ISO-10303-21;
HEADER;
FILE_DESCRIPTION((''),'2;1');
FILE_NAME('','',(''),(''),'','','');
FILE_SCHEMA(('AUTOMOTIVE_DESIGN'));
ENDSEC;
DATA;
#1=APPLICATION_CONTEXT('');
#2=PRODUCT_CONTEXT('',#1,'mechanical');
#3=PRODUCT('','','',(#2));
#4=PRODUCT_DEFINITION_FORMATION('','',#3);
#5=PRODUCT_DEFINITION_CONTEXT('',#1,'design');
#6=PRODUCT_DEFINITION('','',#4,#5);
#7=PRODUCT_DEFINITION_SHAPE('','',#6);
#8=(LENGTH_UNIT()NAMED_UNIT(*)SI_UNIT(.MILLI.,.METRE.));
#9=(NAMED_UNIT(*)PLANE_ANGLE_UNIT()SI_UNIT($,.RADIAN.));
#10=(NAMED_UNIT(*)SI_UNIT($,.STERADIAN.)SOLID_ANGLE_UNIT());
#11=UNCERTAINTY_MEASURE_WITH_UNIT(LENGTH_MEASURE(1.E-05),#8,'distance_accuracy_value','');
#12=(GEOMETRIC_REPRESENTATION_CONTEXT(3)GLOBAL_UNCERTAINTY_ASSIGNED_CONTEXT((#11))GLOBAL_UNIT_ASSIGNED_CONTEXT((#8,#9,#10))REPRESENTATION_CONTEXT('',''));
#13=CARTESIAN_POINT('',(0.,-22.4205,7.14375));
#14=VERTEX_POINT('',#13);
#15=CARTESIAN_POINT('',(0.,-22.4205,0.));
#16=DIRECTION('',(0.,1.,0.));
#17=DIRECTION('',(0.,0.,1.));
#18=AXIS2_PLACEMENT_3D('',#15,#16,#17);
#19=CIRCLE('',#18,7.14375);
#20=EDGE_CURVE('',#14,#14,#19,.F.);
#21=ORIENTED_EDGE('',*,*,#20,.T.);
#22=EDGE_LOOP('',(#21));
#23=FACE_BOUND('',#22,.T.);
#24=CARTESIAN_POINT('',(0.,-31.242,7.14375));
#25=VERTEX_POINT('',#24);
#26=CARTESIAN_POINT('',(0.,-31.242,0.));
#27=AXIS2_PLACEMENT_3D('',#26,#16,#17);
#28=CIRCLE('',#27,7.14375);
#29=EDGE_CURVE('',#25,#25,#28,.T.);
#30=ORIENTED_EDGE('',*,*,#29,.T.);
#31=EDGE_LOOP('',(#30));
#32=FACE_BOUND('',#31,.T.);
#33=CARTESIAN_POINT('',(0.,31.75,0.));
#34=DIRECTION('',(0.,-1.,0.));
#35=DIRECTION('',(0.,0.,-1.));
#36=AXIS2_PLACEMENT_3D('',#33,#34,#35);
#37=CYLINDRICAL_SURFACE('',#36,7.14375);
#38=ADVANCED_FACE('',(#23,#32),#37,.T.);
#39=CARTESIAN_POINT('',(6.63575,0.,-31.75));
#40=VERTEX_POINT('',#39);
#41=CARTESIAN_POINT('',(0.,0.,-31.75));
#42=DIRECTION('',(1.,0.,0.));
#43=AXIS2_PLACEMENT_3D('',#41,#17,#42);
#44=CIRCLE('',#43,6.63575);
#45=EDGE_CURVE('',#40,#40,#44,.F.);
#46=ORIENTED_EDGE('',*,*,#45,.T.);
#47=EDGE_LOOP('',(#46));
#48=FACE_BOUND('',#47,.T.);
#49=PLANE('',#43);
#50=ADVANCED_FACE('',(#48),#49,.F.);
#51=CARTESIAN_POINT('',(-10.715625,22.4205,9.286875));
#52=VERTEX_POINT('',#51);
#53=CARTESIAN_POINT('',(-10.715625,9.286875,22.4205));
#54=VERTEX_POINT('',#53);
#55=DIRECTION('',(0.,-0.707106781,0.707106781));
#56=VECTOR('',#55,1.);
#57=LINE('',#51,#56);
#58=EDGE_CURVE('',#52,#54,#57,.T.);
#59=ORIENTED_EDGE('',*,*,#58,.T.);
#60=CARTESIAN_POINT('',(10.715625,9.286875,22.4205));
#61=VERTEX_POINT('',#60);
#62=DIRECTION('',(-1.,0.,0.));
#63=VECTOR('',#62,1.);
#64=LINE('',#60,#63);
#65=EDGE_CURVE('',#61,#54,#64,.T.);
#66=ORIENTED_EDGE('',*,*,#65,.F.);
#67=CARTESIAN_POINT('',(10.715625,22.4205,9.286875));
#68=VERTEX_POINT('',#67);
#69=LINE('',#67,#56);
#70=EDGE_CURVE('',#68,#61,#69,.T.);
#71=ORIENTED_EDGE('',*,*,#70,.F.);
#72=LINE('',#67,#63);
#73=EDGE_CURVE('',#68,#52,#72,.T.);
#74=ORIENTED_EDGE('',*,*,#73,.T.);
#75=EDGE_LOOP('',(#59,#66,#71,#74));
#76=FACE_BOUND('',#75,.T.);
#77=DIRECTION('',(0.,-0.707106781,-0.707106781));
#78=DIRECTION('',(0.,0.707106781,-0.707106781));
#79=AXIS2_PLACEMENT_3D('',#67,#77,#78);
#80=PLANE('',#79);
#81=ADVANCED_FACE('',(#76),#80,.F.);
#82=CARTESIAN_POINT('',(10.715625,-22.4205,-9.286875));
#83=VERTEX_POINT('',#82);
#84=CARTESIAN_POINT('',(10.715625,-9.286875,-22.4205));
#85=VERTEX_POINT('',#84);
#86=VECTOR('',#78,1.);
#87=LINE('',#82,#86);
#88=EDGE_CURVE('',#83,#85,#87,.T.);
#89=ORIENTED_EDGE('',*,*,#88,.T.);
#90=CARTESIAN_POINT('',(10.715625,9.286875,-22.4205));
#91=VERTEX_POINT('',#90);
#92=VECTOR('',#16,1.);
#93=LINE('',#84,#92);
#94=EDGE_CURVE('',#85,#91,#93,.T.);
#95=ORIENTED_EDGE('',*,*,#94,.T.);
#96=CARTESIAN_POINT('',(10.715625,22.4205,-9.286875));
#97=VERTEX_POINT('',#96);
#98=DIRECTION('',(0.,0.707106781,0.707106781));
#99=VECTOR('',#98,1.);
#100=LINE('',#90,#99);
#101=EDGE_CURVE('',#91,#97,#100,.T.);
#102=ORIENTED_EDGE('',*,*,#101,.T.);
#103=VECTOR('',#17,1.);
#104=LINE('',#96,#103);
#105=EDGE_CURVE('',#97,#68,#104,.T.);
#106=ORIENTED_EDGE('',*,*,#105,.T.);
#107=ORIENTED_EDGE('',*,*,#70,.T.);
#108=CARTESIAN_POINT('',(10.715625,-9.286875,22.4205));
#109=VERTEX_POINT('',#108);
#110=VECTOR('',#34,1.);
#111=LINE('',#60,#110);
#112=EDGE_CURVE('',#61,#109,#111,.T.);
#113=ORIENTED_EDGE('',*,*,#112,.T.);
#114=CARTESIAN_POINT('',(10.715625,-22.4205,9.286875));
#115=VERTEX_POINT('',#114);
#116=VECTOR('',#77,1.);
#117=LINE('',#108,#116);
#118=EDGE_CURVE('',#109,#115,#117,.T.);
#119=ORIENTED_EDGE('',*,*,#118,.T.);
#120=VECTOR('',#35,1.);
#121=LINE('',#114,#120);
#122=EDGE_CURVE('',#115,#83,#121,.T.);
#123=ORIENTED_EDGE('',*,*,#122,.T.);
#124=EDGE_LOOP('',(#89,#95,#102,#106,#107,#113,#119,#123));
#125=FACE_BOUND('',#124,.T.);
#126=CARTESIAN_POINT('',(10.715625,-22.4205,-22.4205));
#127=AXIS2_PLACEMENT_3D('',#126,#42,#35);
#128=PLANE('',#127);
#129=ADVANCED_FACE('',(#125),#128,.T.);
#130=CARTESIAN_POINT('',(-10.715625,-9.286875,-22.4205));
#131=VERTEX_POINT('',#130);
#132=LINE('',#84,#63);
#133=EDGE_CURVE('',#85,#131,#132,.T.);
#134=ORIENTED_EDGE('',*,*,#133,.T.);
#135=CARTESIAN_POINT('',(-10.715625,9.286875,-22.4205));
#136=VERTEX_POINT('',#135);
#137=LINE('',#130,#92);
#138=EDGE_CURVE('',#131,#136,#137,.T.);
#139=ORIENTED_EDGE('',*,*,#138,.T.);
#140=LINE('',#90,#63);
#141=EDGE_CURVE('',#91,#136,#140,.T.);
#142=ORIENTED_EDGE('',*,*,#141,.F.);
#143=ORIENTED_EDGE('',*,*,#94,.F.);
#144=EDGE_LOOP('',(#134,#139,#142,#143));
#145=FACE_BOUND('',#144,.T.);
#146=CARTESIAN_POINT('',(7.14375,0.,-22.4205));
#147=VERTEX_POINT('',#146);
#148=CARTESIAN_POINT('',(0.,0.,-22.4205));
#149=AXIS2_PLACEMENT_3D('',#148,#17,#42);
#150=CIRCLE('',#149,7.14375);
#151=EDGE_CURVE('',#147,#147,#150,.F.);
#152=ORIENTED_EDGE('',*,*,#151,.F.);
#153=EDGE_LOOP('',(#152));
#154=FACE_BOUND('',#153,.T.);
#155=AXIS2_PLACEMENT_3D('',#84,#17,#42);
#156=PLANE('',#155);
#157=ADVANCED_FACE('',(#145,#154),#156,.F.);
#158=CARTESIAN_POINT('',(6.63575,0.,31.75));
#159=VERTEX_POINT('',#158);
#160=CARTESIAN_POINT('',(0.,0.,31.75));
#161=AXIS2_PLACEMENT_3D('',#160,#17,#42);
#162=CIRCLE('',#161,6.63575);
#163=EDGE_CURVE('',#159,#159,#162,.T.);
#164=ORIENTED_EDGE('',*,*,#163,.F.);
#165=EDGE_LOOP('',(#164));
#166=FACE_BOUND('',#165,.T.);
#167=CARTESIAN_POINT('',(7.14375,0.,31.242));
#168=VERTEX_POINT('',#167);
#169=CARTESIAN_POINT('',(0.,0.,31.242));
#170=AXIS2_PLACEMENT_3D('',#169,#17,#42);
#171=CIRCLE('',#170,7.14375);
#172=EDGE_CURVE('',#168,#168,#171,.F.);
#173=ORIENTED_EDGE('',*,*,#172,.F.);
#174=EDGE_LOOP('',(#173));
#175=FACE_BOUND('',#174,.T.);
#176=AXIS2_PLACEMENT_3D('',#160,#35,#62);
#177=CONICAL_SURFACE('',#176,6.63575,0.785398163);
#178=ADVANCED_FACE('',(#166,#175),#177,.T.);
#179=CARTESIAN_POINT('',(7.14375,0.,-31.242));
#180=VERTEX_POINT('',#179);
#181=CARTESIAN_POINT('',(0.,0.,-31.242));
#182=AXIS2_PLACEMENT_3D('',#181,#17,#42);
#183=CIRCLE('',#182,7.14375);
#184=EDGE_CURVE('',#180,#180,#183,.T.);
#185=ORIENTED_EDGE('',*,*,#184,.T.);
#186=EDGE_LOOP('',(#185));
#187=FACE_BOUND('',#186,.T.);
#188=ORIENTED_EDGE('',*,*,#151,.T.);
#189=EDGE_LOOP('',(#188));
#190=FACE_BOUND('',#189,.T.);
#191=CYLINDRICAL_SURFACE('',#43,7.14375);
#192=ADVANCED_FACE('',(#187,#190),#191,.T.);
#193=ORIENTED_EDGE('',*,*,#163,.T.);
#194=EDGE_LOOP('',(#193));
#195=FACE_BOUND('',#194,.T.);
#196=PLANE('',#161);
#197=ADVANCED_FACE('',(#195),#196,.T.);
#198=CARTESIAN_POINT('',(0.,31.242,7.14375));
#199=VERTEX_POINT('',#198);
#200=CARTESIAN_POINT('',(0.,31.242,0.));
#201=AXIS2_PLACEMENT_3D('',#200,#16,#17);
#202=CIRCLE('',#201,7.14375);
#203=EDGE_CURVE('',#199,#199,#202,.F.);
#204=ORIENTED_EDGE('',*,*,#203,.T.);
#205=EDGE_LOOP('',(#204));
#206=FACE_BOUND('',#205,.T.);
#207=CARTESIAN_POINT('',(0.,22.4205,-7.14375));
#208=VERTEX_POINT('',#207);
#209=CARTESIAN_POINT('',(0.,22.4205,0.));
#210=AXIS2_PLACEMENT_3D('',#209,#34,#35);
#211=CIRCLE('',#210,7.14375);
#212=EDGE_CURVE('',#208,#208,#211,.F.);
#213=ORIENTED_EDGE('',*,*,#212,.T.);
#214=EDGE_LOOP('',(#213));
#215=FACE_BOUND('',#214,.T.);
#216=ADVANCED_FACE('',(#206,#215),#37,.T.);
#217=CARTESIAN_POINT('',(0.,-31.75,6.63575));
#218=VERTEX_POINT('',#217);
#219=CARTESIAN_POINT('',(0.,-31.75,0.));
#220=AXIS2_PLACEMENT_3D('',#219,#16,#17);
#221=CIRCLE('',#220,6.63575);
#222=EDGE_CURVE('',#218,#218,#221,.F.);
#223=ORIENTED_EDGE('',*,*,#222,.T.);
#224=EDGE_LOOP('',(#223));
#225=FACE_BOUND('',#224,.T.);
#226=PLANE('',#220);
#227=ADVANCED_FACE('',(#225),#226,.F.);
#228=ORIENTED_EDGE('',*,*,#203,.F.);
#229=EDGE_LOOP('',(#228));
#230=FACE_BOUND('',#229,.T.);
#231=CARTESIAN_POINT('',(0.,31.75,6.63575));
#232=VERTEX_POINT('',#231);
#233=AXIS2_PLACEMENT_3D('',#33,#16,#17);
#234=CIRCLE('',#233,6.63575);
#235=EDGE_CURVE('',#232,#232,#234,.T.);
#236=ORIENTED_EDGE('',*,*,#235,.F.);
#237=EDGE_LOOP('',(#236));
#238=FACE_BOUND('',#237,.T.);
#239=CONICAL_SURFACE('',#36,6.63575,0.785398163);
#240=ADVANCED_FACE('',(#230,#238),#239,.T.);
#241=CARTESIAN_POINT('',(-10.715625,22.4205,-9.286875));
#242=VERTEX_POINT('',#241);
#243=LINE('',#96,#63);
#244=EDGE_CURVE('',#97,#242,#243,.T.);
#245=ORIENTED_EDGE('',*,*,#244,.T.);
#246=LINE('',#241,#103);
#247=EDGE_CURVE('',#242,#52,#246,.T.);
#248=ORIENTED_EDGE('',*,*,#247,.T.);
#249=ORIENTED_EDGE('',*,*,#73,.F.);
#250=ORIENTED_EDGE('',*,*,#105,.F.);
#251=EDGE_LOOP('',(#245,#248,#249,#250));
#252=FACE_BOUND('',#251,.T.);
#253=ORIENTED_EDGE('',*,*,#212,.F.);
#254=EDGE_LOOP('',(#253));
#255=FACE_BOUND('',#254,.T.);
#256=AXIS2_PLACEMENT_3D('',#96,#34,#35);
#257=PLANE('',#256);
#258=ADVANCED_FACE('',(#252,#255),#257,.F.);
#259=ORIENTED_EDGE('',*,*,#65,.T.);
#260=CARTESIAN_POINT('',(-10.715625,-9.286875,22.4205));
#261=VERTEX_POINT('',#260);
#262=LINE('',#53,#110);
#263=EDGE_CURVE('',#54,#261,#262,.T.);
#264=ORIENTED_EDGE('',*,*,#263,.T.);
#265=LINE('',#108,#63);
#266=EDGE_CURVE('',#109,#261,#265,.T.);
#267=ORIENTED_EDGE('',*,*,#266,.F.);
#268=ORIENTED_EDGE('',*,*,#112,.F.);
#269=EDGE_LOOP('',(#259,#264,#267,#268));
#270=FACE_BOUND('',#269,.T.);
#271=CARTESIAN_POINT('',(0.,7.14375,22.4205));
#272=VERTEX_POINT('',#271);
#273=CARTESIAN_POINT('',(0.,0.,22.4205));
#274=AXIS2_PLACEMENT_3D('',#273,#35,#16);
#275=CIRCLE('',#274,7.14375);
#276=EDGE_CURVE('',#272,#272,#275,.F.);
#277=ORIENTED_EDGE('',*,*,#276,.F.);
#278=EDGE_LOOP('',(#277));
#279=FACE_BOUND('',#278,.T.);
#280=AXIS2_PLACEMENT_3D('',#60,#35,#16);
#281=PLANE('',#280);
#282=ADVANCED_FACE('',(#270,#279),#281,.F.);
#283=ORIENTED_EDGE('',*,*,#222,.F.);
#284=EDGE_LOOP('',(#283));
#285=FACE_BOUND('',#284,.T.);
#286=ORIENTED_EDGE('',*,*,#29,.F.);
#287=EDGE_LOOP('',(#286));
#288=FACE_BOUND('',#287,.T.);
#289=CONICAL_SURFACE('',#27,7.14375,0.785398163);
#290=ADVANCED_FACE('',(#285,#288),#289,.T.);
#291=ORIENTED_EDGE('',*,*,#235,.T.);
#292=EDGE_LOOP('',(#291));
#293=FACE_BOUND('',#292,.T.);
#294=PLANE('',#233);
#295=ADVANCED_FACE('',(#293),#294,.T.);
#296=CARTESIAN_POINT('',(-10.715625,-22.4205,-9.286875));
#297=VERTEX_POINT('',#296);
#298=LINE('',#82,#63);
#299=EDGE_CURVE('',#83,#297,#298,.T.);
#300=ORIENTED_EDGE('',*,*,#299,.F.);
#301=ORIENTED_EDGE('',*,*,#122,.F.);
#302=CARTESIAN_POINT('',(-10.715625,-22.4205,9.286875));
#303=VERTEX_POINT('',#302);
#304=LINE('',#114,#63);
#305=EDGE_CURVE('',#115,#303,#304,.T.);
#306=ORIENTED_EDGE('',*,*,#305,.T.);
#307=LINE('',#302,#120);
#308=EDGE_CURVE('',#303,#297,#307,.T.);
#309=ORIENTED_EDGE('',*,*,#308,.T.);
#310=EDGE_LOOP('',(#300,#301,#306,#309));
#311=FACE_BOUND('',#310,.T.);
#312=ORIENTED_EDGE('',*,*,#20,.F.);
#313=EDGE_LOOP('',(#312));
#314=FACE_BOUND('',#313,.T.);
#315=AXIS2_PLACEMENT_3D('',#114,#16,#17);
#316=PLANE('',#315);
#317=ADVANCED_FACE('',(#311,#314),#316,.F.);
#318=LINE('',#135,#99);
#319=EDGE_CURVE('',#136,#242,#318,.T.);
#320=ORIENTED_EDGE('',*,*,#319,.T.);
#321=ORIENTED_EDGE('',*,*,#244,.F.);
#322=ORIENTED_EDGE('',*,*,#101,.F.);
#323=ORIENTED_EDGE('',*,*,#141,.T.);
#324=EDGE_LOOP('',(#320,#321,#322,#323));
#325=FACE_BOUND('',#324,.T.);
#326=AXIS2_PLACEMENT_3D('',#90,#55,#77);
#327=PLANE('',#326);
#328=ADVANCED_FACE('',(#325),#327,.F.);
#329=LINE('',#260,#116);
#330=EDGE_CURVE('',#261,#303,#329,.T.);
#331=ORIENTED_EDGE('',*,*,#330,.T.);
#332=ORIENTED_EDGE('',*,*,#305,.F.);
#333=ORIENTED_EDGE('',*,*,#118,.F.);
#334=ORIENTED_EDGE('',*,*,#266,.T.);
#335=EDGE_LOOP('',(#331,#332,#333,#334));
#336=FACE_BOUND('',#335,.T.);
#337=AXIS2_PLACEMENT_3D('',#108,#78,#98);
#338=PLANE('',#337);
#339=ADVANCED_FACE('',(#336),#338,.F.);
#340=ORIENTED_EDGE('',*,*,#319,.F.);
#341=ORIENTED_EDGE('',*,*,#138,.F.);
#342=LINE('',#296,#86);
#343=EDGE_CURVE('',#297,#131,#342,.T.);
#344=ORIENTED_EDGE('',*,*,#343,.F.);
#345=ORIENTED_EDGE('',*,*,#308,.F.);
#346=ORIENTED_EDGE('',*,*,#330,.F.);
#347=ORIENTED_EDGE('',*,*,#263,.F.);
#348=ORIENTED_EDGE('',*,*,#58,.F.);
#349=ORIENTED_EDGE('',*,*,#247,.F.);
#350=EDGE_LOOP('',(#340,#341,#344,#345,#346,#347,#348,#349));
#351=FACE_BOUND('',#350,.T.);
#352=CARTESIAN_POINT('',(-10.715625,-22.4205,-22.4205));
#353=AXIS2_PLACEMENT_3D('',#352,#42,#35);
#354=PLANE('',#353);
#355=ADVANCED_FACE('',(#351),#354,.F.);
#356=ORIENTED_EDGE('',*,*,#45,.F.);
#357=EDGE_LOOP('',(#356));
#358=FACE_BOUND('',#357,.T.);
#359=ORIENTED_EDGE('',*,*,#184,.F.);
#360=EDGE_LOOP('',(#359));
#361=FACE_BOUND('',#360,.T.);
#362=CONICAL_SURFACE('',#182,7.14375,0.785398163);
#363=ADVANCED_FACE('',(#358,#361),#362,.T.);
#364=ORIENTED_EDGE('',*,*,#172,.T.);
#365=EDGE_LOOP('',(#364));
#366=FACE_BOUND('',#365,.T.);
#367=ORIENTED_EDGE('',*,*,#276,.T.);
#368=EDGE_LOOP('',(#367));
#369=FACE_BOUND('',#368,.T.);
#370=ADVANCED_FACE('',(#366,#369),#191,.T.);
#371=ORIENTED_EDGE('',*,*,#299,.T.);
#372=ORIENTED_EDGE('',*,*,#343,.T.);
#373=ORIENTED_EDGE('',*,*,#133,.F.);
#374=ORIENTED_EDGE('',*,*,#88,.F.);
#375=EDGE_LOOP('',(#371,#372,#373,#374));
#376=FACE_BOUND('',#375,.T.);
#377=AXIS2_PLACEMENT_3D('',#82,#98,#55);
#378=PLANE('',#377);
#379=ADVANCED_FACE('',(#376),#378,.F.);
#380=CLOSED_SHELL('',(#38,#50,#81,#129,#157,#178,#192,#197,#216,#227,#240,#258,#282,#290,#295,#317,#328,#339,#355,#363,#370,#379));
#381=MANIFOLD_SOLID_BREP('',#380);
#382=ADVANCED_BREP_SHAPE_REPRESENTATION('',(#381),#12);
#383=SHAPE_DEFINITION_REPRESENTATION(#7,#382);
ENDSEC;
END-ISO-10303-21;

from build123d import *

# Parameters (mm, degrees)
EXTRUDE10_DEPTH          = 31.75
EXTRUDE10_DEPTH_BACK     = 31.75
SKETCH10_R               = 7.14375
BOSS_EXTRUDE7_DEPTH      = 31.75
BOSS_EXTRUDE7_DEPTH_BACK = 31.75
SKETCH31_R               = 7.14375
BOSS_EXTRUDE8_DEPTH      = 10.715625
CHAMFER2_SIZE            = 0.508


with BuildPart() as part:
    # Sketch10 → Extrude10 (new, two sides: drawn at the far end of the back side and taken through both)
    with BuildSketch(Plane.XY.offset(-EXTRUDE10_DEPTH_BACK)):
        Circle(SKETCH10_R)
    extrude(amount=EXTRUDE10_DEPTH + EXTRUDE10_DEPTH_BACK)



with BuildPart() as body_2:
    # Sketch31 → Boss-Extrude7 (new, two sides: drawn at the far end of the back side and taken through both)
    with BuildSketch(Plane(origin=(0, 0, 0), x_dir=(1, 0, 0), z_dir=(0, 1, 0)).offset(-BOSS_EXTRUDE7_DEPTH_BACK)):
        Circle(SKETCH31_R)
    extrude(amount=BOSS_EXTRUDE7_DEPTH + BOSS_EXTRUDE7_DEPTH_BACK)


with BuildPart() as part_1:
    add(part.part)

    add(body_2.part)  # Boss-Extrude8 merges body 2
    # Sketch32 → Boss-Extrude8 (add, symmetric)
    with BuildSketch(Plane(origin=(0, 0, 0), x_dir=(0, 0, -1), z_dir=(1, 0, 0))):
        Polygon((9.286875, -22.420499577), (22.420499577, -9.286875), (22.420499577, 9.286875), (9.286875, 22.420499577), (-9.286875, 22.420499577), (-22.420499577, 9.286875), (-22.420499577, -9.286875), (-9.286875, -22.420499577), align=None)
    extrude(amount=BOSS_EXTRUDE8_DEPTH, both=True)

    # Chamfer2
    chamfer2_edges = [part_1.edges().sort_by_distance(p)[0] for p in [
        (-7.14375, -31.75, 0),
        (-7.14375, 0, -31.75),
        (-7.14375, 31.75, 0),
        (-7.14375, 0, 31.75),
    ]]
    chamfer(chamfer2_edges, length=CHAMFER2_SIZE)


solid = part_1.part
